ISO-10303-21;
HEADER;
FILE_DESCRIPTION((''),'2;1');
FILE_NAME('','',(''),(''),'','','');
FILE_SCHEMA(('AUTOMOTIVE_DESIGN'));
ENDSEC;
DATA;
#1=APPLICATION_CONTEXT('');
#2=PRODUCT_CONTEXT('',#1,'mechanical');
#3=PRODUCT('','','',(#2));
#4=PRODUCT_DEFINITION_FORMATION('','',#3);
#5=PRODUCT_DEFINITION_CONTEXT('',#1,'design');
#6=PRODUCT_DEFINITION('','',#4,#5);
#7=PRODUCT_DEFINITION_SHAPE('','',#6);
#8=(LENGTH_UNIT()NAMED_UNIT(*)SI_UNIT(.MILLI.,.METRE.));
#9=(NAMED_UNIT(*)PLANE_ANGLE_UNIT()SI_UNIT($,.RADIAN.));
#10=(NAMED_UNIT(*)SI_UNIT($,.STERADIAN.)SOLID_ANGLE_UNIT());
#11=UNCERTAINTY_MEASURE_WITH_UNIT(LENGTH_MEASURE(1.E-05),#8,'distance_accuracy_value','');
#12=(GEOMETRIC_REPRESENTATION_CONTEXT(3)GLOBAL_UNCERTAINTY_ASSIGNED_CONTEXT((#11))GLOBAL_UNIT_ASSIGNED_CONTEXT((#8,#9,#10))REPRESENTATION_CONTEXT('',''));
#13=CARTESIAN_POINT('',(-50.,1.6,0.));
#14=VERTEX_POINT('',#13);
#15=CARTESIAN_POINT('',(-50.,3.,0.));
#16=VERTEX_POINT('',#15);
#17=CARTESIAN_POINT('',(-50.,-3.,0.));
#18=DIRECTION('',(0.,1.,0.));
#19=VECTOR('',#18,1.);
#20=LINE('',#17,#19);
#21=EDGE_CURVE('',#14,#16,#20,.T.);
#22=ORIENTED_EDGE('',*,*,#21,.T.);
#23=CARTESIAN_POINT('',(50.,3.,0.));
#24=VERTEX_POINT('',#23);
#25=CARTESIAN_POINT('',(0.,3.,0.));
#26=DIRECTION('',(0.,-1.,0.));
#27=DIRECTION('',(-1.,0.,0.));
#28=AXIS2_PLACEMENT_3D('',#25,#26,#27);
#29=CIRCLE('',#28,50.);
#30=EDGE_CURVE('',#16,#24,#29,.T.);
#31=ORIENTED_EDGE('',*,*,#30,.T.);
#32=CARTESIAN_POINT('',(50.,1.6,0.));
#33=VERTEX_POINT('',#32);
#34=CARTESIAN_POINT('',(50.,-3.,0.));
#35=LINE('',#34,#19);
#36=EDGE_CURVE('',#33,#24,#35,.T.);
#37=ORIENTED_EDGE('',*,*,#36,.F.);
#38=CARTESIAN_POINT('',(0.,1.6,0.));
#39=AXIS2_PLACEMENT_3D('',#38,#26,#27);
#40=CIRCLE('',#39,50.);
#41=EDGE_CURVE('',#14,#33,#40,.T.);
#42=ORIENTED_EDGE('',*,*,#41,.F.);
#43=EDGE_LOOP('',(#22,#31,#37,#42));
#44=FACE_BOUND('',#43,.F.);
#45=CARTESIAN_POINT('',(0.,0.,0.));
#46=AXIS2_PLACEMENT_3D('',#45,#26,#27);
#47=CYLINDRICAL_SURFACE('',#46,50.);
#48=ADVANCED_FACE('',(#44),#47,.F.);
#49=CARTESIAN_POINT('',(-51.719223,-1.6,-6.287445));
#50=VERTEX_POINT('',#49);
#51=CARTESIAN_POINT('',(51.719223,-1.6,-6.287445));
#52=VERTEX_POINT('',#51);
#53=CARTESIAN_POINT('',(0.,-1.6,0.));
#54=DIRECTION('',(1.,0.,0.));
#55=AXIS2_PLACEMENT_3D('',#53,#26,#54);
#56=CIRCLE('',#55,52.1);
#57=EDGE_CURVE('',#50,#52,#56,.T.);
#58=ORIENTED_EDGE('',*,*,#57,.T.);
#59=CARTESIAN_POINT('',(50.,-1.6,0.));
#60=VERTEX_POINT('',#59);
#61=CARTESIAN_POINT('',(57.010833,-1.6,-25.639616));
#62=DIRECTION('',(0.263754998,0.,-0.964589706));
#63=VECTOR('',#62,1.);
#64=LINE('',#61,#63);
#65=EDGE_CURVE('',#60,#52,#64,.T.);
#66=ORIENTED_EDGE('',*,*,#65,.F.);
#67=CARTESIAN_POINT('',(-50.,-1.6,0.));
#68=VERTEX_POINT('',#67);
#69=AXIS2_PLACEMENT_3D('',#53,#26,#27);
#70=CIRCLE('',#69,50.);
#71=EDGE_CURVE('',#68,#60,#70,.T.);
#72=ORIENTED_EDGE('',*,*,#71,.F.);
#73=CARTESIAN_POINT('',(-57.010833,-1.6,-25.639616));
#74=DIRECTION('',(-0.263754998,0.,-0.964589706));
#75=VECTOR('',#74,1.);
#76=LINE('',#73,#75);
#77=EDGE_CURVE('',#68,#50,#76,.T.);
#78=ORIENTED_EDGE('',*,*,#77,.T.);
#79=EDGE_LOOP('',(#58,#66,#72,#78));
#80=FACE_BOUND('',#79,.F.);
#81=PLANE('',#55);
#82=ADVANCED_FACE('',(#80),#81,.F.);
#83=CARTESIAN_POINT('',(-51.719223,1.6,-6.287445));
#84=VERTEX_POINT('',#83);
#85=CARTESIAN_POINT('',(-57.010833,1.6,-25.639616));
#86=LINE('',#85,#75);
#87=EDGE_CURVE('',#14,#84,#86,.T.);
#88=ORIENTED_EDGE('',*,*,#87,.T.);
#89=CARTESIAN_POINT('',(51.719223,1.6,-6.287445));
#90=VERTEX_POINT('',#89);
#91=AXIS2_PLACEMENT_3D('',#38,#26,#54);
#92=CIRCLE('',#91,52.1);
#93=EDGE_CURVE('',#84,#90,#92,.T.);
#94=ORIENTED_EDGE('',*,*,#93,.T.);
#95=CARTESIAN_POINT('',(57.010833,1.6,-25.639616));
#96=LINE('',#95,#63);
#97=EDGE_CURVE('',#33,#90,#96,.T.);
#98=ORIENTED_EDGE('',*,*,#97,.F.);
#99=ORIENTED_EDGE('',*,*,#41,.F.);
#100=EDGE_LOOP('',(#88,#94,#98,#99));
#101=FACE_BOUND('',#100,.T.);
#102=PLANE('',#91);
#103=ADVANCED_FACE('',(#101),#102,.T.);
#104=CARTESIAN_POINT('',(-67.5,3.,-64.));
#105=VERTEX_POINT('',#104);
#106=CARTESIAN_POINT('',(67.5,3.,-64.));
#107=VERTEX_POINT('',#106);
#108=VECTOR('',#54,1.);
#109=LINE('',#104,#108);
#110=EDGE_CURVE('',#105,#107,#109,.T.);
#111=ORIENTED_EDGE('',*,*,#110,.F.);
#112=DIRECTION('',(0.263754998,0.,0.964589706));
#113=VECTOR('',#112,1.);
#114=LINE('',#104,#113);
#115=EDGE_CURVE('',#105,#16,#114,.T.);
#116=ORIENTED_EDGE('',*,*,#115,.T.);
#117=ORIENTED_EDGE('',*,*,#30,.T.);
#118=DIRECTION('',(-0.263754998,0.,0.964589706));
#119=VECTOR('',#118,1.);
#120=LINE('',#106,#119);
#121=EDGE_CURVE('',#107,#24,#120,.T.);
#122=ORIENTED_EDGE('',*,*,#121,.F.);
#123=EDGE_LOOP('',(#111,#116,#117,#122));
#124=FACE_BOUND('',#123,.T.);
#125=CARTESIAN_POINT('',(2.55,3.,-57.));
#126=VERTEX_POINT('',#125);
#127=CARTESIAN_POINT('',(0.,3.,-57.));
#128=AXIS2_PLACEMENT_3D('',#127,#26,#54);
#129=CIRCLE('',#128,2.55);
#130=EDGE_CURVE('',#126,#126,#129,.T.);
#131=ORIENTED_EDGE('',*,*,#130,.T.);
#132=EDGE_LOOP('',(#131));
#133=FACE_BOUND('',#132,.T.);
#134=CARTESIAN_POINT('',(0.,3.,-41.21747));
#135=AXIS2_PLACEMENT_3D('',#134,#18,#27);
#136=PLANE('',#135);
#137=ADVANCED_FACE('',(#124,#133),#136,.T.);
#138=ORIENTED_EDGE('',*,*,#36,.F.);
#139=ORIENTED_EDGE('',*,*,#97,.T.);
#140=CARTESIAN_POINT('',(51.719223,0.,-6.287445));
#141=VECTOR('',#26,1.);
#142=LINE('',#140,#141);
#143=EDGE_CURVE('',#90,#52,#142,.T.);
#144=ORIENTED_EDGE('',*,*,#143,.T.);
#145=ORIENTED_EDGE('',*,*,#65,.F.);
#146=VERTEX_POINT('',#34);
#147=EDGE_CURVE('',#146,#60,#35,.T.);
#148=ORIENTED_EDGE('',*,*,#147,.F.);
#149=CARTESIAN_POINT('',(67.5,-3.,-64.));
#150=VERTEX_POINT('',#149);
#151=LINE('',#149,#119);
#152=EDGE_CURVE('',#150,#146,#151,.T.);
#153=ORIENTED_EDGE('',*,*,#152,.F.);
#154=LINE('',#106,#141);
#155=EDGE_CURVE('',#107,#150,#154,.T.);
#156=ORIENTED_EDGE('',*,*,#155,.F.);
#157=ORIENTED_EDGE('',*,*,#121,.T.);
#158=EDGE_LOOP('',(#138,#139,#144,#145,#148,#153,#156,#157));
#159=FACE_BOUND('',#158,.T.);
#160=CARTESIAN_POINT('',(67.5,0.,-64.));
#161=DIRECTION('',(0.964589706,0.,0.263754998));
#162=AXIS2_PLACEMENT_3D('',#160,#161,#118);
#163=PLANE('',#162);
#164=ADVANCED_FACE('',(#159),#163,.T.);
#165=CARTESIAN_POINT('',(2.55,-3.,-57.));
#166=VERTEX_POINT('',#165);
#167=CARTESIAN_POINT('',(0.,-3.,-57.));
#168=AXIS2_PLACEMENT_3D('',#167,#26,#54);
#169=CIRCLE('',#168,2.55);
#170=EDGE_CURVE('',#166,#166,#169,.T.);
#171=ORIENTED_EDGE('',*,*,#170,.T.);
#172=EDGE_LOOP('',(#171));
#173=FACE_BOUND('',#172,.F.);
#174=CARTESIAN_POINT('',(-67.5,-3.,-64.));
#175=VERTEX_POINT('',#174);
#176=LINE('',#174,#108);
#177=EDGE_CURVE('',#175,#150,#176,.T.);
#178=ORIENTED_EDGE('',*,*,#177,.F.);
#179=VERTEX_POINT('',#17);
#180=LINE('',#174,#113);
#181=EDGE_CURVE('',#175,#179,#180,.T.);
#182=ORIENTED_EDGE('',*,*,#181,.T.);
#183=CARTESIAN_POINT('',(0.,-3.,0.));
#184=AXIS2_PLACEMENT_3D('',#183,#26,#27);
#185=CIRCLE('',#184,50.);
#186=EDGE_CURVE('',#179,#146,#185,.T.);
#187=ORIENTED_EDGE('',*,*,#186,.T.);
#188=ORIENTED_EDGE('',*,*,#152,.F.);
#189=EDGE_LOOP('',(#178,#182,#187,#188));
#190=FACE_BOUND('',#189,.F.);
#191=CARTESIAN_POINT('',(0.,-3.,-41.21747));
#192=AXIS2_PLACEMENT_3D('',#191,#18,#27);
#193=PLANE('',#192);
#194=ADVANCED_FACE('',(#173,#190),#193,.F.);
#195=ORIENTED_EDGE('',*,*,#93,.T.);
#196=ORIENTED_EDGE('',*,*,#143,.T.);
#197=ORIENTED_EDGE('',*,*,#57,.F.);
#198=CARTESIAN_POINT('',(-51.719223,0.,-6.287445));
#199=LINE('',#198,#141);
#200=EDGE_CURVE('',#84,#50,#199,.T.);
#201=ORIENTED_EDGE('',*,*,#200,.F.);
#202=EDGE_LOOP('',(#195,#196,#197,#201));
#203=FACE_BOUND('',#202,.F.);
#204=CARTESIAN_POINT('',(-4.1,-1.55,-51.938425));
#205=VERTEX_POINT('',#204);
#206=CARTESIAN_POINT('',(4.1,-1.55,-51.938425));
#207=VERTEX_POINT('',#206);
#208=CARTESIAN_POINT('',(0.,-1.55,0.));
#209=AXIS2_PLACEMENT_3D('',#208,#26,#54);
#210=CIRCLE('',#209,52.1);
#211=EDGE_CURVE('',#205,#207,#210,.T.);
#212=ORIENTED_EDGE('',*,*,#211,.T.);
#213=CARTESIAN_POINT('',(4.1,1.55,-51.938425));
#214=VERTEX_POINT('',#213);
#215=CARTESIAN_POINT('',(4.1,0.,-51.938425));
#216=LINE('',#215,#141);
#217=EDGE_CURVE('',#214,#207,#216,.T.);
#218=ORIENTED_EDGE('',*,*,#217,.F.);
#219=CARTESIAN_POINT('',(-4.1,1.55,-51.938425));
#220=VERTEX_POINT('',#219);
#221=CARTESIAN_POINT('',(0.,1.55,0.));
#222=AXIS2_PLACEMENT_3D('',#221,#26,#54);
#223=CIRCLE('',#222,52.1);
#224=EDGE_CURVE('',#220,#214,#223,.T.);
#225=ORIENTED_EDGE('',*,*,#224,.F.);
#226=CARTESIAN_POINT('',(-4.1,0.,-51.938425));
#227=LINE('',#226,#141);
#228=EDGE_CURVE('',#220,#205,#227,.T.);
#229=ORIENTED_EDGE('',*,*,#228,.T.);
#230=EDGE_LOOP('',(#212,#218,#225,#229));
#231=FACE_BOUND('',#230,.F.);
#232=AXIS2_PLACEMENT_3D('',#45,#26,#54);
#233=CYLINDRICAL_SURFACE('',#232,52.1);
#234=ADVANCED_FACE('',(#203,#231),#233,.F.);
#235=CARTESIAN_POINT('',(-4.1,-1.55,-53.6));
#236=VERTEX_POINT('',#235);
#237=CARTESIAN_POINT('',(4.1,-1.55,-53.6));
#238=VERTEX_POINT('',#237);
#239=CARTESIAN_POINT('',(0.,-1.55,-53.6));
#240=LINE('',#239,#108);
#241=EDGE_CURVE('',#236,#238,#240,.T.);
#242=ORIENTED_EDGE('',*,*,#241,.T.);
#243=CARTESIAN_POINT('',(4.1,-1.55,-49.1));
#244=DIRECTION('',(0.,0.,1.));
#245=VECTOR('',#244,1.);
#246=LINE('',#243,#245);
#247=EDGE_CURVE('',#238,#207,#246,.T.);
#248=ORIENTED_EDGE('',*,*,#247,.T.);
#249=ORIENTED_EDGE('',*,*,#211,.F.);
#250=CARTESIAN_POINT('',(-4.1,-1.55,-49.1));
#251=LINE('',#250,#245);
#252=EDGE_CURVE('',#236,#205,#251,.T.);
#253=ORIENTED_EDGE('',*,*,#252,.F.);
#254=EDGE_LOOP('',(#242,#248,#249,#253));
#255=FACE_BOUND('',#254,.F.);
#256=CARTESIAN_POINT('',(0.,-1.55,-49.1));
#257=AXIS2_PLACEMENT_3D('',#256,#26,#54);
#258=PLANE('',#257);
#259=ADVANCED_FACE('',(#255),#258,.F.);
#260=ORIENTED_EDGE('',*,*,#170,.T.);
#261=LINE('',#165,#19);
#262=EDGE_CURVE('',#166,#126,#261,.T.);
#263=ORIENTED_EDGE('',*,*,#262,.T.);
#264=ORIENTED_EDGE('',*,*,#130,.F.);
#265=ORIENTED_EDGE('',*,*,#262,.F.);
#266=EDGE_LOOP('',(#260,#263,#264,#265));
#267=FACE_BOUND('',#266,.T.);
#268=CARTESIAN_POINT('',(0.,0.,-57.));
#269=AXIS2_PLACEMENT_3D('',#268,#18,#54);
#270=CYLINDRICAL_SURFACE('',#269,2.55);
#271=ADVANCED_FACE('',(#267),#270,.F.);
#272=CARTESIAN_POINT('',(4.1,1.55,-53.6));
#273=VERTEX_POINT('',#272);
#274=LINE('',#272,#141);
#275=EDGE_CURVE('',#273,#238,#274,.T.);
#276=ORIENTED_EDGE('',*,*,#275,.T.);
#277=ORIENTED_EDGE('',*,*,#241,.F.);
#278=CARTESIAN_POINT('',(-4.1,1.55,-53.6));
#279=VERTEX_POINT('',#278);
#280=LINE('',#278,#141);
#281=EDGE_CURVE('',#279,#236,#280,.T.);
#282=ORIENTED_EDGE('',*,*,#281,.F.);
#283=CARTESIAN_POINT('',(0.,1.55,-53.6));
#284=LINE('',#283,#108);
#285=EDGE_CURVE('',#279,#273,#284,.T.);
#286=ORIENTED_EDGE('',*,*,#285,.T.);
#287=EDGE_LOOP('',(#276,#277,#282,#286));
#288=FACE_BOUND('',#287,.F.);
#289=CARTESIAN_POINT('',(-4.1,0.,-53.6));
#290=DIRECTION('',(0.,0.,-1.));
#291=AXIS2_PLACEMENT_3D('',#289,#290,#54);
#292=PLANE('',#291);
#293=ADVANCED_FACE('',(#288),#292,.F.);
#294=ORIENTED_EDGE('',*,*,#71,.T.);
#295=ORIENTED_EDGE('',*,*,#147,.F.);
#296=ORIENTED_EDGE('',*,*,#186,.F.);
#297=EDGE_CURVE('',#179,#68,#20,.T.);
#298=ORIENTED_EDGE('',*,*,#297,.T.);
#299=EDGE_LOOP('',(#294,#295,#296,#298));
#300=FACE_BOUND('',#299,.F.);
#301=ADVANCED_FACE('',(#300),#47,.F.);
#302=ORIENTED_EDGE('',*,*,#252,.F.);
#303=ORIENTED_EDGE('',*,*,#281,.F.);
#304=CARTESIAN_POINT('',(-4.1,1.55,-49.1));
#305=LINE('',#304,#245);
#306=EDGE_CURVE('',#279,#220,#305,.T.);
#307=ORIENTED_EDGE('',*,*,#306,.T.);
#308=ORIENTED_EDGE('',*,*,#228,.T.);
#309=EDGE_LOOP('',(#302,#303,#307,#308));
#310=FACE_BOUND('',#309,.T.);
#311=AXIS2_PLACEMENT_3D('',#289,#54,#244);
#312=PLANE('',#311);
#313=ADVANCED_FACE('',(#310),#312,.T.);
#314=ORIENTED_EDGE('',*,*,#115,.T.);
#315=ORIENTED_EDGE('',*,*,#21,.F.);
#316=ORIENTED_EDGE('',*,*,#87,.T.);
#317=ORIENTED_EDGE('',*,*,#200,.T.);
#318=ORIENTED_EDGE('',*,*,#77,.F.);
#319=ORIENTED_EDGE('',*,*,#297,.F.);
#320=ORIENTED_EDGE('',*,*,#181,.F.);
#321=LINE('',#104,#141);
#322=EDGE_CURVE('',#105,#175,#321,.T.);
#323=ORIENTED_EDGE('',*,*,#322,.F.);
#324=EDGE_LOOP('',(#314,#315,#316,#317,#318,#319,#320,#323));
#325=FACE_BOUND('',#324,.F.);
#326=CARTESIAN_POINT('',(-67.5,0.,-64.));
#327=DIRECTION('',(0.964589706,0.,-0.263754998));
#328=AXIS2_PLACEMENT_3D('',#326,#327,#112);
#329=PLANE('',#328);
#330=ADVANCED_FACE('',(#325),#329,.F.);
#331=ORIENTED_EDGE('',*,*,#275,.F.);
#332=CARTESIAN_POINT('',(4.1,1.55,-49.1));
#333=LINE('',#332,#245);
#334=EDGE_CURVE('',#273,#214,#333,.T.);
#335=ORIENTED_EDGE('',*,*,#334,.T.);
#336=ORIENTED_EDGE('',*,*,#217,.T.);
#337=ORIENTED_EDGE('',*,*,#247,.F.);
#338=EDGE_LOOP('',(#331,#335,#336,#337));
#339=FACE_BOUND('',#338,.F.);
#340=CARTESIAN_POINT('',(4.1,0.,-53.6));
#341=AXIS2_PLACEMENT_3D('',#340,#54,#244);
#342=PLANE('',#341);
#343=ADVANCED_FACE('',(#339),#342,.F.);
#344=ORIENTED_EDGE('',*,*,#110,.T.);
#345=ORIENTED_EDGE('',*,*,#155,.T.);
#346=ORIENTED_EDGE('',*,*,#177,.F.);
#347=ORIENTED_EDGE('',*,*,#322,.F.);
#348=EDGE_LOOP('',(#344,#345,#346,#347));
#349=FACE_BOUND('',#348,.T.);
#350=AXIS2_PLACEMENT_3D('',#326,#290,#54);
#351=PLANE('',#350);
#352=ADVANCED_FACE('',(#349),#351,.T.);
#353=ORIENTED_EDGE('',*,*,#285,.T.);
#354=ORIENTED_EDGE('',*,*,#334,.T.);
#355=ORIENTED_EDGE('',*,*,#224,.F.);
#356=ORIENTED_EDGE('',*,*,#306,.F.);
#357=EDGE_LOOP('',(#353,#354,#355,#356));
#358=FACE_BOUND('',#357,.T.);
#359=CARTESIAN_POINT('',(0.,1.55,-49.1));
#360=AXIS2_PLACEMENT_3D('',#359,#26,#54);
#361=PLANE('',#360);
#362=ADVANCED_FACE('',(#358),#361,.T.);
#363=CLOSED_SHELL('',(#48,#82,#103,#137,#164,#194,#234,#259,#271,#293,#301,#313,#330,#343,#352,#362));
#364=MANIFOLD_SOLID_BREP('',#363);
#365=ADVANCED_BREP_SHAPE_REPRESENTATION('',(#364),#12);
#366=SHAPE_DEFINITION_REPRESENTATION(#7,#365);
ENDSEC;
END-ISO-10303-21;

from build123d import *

# Parameters (mm, degrees)
SKETCH005_R     = 2.55
PAD003_DEPTH    = 3
SKETCH006_R     = 52.1
POCKET_DEPTH    = 1.6
SKETCH011_W     = 8.2
SKETCH011_H     = 9
POCKET003_DEPTH = 1.55


with BuildPart() as part:
    # Sketch005 → Pad003 (new body, symmetric)
    with BuildSketch(Plane.XZ):
        with BuildLine():
            Line((-67.5, -64), (-50, 0))
            ThreePointArc((-50, 0), (0, -50), (50, 0))
            Line((67.5, -64), (50, 0))
            Line((-67.5, -64), (67.5, -64))
        make_face()
        with Locations((0, -57)):
            Circle(SKETCH005_R, mode=Mode.SUBTRACT)
    extrude(amount=PAD003_DEPTH, both=True)

    # Sketch006 → Pocket (cut, symmetric)
    with BuildSketch(Plane.XZ):
        Circle(SKETCH006_R)
    extrude(amount=POCKET_DEPTH, both=True, mode=Mode.SUBTRACT)

    # Sketch011 → Pocket003 (cut, symmetric)
    with BuildSketch(Plane.XZ):
        with Locations((0, -49.1)):
            Rectangle(SKETCH011_W, SKETCH011_H)
    extrude(amount=POCKET003_DEPTH, both=True, mode=Mode.SUBTRACT)


solid = part.part
